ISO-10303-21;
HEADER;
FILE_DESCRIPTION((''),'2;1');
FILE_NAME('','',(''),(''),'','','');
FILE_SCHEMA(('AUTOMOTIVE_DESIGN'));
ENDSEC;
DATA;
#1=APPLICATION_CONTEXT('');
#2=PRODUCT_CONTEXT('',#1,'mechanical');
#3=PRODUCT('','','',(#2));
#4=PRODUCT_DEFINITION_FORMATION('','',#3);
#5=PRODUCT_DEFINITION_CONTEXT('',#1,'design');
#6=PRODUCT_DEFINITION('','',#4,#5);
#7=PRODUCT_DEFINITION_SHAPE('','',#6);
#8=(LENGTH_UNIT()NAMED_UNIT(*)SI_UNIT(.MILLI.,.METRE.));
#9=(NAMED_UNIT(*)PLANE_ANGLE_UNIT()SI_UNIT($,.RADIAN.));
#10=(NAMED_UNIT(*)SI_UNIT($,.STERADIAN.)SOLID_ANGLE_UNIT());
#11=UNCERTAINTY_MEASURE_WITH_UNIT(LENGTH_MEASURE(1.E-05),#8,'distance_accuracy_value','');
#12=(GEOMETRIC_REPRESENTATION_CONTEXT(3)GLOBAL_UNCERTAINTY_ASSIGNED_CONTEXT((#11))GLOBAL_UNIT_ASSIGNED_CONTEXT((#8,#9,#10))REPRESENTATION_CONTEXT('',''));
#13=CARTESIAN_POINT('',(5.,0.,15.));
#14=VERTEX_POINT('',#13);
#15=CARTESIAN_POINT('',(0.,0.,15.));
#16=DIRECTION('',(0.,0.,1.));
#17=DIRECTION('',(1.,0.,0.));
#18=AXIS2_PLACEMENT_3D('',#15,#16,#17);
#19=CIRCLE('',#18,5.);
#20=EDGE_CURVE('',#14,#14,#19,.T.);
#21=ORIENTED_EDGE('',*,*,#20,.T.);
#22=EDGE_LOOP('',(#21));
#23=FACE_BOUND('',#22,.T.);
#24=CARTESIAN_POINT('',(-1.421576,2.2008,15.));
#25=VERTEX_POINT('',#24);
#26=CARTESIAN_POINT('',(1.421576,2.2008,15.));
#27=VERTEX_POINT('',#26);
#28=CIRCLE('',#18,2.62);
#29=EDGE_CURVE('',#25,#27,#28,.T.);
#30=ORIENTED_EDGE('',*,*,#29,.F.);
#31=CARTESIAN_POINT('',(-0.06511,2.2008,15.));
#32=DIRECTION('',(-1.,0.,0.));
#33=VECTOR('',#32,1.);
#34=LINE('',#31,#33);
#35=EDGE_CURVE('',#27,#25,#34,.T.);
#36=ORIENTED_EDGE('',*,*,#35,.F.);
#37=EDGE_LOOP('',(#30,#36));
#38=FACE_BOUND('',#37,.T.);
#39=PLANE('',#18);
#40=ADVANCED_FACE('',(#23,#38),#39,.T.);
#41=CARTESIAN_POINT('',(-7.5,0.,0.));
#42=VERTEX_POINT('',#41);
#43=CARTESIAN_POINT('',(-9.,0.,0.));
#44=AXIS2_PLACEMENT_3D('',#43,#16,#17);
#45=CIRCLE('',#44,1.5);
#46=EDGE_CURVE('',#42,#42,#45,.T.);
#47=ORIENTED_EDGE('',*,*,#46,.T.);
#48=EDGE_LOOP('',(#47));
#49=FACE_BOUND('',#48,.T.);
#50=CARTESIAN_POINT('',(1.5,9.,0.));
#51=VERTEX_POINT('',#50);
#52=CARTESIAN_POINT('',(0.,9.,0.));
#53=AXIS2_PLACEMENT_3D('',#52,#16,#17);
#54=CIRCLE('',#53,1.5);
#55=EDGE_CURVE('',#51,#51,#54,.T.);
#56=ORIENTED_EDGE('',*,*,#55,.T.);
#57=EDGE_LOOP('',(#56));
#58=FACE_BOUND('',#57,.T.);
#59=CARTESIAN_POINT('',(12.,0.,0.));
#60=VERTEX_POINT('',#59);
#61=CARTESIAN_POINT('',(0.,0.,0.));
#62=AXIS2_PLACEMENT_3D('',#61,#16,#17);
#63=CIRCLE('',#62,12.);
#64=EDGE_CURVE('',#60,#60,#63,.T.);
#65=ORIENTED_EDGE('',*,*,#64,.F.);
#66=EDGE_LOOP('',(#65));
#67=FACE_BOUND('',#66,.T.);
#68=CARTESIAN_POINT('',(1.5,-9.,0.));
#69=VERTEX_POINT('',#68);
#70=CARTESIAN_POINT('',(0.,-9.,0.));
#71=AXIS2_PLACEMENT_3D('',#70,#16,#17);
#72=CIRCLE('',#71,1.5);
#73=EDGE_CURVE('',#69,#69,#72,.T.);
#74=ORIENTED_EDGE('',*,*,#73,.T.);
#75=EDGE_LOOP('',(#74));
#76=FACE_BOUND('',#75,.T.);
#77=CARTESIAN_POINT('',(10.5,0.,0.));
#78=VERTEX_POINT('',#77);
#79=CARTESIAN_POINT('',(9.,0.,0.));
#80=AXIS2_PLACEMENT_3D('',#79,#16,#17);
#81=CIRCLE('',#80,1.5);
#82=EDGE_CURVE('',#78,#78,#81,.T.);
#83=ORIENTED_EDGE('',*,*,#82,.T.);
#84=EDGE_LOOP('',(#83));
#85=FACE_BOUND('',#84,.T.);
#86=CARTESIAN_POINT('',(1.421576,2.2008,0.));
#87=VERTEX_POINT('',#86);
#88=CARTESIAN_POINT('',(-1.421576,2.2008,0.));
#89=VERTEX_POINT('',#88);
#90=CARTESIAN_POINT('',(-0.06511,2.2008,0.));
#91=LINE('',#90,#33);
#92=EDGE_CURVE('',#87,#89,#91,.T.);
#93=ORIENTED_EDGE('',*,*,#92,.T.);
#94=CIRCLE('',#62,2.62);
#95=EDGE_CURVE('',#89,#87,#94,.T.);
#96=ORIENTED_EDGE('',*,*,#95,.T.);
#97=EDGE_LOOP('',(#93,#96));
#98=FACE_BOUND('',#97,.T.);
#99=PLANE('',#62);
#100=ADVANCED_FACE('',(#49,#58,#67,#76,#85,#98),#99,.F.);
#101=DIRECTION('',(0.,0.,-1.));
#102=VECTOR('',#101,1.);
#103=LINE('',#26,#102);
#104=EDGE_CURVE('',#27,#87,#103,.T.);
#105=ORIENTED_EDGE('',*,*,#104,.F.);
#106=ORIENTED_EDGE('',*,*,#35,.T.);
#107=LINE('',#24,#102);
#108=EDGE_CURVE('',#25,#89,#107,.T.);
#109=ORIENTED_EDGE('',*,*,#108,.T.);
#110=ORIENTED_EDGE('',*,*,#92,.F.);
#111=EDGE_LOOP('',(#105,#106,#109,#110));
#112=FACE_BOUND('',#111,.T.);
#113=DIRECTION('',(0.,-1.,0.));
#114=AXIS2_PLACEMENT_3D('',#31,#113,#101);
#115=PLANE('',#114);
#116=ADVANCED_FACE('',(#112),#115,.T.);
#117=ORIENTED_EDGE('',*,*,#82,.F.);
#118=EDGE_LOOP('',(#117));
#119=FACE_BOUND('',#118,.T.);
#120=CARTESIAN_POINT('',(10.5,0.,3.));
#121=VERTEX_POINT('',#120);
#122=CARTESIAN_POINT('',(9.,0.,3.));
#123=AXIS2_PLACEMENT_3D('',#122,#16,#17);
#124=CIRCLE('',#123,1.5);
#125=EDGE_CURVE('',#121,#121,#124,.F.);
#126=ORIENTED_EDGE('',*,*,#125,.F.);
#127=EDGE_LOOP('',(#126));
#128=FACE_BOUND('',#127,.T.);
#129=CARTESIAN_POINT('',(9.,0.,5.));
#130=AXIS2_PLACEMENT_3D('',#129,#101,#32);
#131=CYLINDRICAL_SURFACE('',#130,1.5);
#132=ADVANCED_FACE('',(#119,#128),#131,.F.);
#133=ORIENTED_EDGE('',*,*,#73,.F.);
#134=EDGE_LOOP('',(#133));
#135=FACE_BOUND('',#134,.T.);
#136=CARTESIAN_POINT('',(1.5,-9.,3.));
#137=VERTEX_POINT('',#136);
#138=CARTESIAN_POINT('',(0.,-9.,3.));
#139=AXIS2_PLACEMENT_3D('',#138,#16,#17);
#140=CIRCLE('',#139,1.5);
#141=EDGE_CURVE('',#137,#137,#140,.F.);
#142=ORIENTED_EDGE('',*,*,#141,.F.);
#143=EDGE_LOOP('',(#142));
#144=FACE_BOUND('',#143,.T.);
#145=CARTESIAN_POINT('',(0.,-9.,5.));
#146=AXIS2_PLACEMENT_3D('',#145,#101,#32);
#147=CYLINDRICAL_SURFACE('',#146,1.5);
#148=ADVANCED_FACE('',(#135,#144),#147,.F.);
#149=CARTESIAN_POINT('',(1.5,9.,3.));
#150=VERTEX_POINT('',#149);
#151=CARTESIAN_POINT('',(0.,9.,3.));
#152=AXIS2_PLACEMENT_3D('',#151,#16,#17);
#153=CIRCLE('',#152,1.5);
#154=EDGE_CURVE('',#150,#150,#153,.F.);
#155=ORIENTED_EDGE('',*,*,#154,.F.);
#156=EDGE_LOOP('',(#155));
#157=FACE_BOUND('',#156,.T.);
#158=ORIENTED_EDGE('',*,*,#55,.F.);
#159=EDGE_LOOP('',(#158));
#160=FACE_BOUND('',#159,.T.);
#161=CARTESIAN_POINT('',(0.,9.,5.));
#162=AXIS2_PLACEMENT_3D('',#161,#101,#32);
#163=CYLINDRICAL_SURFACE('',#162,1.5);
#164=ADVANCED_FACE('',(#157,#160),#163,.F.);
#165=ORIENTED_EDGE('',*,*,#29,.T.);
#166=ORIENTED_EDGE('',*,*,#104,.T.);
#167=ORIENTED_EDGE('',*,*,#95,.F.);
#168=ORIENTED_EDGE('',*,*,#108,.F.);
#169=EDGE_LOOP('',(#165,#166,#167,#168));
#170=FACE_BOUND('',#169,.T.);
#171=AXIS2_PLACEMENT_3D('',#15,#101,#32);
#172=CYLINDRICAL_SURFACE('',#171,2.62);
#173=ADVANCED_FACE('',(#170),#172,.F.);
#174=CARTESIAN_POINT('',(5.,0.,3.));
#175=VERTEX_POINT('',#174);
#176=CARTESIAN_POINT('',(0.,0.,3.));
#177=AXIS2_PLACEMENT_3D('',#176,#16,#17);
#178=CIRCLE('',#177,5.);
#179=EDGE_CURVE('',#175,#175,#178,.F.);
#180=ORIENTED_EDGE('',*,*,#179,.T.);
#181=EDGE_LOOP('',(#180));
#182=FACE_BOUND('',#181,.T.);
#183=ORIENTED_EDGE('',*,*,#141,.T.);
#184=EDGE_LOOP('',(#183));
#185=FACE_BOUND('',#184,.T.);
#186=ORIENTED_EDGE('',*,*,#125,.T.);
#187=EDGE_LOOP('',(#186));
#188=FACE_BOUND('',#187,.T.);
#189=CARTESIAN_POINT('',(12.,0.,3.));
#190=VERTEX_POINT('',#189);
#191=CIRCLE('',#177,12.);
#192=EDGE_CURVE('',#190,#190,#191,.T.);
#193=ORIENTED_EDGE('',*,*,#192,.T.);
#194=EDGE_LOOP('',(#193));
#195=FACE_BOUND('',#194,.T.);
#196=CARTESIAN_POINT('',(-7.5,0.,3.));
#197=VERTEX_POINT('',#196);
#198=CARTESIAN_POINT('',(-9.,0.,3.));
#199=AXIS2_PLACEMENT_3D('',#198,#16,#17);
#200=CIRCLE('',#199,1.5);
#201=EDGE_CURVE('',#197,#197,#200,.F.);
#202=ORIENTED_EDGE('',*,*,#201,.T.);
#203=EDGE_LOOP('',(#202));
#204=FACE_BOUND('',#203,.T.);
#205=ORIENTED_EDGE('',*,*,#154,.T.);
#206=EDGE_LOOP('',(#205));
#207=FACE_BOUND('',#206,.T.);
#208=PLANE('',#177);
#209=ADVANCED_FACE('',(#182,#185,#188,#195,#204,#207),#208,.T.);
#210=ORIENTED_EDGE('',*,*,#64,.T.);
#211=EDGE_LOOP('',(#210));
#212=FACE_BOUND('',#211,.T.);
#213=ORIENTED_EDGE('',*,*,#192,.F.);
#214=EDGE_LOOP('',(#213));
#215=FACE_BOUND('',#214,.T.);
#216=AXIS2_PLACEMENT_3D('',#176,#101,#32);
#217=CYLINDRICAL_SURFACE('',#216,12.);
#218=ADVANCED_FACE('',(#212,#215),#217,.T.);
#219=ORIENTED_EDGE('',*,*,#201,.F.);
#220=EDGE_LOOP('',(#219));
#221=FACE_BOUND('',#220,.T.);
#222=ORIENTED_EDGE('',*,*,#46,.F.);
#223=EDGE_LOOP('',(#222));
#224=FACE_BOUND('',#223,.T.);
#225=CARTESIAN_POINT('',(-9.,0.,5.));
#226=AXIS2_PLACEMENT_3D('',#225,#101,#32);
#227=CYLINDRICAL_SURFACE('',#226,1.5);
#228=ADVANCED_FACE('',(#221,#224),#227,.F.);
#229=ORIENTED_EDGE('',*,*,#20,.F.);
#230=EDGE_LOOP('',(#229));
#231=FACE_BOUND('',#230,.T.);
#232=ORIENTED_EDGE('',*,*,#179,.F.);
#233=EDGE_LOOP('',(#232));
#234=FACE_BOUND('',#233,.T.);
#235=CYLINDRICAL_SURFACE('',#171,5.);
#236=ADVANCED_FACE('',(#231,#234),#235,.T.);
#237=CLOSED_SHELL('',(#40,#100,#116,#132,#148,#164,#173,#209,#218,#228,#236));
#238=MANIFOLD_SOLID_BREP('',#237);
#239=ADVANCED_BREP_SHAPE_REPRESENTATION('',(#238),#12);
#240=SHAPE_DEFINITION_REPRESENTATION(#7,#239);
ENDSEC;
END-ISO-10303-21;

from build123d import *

# Parameters (mm, degrees)
SKETCH1_R           = 12
BOSS_EXTRUDE1_DEPTH = 3
SKETCH2_R           = 5
BOSS_EXTRUDE2_DEPTH = 15
CUT_EXTRUDE1_DEPTH  = 15
SKETCH4_R           = 1.5
CUT_EXTRUDE2_DEPTH  = 5


with BuildPart() as part:
    # Sketch1 → Boss-Extrude1 (new body)
    with BuildSketch(Plane.XY):
        Circle(SKETCH1_R)
    extrude(amount=BOSS_EXTRUDE1_DEPTH)

    # Sketch2 → Boss-Extrude2 (add)
    with BuildSketch(Plane.XY):
        Circle(SKETCH2_R)
    extrude(amount=BOSS_EXTRUDE2_DEPTH)

    # Sketch3 → Cut-Extrude1 (cut)
    with BuildSketch(Plane.XY):
        with BuildLine():
            Line((-0.065110368, 2.2008), (1.421576364, 2.2008))
            ThreePointArc((1.421576364, 2.2008), (0, -2.62), (-1.421576364, 2.2008))
            Line((-1.421576364, 2.2008), (-0.065110368, 2.2008))
        make_face()
    extrude(amount=CUT_EXTRUDE1_DEPTH, mode=Mode.SUBTRACT)

    # Sketch4 → Cut-Extrude2 (cut)
    with BuildSketch(Plane.XY):
        with Locations((-9, 0)):
            Circle(SKETCH4_R)
        with Locations((0, 9)):
            Circle(SKETCH4_R)
        with Locations((9, 0)):
            Circle(SKETCH4_R)
        with Locations((0, -9)):
            Circle(SKETCH4_R)
    extrude(amount=CUT_EXTRUDE2_DEPTH, mode=Mode.SUBTRACT)


solid = part.part
